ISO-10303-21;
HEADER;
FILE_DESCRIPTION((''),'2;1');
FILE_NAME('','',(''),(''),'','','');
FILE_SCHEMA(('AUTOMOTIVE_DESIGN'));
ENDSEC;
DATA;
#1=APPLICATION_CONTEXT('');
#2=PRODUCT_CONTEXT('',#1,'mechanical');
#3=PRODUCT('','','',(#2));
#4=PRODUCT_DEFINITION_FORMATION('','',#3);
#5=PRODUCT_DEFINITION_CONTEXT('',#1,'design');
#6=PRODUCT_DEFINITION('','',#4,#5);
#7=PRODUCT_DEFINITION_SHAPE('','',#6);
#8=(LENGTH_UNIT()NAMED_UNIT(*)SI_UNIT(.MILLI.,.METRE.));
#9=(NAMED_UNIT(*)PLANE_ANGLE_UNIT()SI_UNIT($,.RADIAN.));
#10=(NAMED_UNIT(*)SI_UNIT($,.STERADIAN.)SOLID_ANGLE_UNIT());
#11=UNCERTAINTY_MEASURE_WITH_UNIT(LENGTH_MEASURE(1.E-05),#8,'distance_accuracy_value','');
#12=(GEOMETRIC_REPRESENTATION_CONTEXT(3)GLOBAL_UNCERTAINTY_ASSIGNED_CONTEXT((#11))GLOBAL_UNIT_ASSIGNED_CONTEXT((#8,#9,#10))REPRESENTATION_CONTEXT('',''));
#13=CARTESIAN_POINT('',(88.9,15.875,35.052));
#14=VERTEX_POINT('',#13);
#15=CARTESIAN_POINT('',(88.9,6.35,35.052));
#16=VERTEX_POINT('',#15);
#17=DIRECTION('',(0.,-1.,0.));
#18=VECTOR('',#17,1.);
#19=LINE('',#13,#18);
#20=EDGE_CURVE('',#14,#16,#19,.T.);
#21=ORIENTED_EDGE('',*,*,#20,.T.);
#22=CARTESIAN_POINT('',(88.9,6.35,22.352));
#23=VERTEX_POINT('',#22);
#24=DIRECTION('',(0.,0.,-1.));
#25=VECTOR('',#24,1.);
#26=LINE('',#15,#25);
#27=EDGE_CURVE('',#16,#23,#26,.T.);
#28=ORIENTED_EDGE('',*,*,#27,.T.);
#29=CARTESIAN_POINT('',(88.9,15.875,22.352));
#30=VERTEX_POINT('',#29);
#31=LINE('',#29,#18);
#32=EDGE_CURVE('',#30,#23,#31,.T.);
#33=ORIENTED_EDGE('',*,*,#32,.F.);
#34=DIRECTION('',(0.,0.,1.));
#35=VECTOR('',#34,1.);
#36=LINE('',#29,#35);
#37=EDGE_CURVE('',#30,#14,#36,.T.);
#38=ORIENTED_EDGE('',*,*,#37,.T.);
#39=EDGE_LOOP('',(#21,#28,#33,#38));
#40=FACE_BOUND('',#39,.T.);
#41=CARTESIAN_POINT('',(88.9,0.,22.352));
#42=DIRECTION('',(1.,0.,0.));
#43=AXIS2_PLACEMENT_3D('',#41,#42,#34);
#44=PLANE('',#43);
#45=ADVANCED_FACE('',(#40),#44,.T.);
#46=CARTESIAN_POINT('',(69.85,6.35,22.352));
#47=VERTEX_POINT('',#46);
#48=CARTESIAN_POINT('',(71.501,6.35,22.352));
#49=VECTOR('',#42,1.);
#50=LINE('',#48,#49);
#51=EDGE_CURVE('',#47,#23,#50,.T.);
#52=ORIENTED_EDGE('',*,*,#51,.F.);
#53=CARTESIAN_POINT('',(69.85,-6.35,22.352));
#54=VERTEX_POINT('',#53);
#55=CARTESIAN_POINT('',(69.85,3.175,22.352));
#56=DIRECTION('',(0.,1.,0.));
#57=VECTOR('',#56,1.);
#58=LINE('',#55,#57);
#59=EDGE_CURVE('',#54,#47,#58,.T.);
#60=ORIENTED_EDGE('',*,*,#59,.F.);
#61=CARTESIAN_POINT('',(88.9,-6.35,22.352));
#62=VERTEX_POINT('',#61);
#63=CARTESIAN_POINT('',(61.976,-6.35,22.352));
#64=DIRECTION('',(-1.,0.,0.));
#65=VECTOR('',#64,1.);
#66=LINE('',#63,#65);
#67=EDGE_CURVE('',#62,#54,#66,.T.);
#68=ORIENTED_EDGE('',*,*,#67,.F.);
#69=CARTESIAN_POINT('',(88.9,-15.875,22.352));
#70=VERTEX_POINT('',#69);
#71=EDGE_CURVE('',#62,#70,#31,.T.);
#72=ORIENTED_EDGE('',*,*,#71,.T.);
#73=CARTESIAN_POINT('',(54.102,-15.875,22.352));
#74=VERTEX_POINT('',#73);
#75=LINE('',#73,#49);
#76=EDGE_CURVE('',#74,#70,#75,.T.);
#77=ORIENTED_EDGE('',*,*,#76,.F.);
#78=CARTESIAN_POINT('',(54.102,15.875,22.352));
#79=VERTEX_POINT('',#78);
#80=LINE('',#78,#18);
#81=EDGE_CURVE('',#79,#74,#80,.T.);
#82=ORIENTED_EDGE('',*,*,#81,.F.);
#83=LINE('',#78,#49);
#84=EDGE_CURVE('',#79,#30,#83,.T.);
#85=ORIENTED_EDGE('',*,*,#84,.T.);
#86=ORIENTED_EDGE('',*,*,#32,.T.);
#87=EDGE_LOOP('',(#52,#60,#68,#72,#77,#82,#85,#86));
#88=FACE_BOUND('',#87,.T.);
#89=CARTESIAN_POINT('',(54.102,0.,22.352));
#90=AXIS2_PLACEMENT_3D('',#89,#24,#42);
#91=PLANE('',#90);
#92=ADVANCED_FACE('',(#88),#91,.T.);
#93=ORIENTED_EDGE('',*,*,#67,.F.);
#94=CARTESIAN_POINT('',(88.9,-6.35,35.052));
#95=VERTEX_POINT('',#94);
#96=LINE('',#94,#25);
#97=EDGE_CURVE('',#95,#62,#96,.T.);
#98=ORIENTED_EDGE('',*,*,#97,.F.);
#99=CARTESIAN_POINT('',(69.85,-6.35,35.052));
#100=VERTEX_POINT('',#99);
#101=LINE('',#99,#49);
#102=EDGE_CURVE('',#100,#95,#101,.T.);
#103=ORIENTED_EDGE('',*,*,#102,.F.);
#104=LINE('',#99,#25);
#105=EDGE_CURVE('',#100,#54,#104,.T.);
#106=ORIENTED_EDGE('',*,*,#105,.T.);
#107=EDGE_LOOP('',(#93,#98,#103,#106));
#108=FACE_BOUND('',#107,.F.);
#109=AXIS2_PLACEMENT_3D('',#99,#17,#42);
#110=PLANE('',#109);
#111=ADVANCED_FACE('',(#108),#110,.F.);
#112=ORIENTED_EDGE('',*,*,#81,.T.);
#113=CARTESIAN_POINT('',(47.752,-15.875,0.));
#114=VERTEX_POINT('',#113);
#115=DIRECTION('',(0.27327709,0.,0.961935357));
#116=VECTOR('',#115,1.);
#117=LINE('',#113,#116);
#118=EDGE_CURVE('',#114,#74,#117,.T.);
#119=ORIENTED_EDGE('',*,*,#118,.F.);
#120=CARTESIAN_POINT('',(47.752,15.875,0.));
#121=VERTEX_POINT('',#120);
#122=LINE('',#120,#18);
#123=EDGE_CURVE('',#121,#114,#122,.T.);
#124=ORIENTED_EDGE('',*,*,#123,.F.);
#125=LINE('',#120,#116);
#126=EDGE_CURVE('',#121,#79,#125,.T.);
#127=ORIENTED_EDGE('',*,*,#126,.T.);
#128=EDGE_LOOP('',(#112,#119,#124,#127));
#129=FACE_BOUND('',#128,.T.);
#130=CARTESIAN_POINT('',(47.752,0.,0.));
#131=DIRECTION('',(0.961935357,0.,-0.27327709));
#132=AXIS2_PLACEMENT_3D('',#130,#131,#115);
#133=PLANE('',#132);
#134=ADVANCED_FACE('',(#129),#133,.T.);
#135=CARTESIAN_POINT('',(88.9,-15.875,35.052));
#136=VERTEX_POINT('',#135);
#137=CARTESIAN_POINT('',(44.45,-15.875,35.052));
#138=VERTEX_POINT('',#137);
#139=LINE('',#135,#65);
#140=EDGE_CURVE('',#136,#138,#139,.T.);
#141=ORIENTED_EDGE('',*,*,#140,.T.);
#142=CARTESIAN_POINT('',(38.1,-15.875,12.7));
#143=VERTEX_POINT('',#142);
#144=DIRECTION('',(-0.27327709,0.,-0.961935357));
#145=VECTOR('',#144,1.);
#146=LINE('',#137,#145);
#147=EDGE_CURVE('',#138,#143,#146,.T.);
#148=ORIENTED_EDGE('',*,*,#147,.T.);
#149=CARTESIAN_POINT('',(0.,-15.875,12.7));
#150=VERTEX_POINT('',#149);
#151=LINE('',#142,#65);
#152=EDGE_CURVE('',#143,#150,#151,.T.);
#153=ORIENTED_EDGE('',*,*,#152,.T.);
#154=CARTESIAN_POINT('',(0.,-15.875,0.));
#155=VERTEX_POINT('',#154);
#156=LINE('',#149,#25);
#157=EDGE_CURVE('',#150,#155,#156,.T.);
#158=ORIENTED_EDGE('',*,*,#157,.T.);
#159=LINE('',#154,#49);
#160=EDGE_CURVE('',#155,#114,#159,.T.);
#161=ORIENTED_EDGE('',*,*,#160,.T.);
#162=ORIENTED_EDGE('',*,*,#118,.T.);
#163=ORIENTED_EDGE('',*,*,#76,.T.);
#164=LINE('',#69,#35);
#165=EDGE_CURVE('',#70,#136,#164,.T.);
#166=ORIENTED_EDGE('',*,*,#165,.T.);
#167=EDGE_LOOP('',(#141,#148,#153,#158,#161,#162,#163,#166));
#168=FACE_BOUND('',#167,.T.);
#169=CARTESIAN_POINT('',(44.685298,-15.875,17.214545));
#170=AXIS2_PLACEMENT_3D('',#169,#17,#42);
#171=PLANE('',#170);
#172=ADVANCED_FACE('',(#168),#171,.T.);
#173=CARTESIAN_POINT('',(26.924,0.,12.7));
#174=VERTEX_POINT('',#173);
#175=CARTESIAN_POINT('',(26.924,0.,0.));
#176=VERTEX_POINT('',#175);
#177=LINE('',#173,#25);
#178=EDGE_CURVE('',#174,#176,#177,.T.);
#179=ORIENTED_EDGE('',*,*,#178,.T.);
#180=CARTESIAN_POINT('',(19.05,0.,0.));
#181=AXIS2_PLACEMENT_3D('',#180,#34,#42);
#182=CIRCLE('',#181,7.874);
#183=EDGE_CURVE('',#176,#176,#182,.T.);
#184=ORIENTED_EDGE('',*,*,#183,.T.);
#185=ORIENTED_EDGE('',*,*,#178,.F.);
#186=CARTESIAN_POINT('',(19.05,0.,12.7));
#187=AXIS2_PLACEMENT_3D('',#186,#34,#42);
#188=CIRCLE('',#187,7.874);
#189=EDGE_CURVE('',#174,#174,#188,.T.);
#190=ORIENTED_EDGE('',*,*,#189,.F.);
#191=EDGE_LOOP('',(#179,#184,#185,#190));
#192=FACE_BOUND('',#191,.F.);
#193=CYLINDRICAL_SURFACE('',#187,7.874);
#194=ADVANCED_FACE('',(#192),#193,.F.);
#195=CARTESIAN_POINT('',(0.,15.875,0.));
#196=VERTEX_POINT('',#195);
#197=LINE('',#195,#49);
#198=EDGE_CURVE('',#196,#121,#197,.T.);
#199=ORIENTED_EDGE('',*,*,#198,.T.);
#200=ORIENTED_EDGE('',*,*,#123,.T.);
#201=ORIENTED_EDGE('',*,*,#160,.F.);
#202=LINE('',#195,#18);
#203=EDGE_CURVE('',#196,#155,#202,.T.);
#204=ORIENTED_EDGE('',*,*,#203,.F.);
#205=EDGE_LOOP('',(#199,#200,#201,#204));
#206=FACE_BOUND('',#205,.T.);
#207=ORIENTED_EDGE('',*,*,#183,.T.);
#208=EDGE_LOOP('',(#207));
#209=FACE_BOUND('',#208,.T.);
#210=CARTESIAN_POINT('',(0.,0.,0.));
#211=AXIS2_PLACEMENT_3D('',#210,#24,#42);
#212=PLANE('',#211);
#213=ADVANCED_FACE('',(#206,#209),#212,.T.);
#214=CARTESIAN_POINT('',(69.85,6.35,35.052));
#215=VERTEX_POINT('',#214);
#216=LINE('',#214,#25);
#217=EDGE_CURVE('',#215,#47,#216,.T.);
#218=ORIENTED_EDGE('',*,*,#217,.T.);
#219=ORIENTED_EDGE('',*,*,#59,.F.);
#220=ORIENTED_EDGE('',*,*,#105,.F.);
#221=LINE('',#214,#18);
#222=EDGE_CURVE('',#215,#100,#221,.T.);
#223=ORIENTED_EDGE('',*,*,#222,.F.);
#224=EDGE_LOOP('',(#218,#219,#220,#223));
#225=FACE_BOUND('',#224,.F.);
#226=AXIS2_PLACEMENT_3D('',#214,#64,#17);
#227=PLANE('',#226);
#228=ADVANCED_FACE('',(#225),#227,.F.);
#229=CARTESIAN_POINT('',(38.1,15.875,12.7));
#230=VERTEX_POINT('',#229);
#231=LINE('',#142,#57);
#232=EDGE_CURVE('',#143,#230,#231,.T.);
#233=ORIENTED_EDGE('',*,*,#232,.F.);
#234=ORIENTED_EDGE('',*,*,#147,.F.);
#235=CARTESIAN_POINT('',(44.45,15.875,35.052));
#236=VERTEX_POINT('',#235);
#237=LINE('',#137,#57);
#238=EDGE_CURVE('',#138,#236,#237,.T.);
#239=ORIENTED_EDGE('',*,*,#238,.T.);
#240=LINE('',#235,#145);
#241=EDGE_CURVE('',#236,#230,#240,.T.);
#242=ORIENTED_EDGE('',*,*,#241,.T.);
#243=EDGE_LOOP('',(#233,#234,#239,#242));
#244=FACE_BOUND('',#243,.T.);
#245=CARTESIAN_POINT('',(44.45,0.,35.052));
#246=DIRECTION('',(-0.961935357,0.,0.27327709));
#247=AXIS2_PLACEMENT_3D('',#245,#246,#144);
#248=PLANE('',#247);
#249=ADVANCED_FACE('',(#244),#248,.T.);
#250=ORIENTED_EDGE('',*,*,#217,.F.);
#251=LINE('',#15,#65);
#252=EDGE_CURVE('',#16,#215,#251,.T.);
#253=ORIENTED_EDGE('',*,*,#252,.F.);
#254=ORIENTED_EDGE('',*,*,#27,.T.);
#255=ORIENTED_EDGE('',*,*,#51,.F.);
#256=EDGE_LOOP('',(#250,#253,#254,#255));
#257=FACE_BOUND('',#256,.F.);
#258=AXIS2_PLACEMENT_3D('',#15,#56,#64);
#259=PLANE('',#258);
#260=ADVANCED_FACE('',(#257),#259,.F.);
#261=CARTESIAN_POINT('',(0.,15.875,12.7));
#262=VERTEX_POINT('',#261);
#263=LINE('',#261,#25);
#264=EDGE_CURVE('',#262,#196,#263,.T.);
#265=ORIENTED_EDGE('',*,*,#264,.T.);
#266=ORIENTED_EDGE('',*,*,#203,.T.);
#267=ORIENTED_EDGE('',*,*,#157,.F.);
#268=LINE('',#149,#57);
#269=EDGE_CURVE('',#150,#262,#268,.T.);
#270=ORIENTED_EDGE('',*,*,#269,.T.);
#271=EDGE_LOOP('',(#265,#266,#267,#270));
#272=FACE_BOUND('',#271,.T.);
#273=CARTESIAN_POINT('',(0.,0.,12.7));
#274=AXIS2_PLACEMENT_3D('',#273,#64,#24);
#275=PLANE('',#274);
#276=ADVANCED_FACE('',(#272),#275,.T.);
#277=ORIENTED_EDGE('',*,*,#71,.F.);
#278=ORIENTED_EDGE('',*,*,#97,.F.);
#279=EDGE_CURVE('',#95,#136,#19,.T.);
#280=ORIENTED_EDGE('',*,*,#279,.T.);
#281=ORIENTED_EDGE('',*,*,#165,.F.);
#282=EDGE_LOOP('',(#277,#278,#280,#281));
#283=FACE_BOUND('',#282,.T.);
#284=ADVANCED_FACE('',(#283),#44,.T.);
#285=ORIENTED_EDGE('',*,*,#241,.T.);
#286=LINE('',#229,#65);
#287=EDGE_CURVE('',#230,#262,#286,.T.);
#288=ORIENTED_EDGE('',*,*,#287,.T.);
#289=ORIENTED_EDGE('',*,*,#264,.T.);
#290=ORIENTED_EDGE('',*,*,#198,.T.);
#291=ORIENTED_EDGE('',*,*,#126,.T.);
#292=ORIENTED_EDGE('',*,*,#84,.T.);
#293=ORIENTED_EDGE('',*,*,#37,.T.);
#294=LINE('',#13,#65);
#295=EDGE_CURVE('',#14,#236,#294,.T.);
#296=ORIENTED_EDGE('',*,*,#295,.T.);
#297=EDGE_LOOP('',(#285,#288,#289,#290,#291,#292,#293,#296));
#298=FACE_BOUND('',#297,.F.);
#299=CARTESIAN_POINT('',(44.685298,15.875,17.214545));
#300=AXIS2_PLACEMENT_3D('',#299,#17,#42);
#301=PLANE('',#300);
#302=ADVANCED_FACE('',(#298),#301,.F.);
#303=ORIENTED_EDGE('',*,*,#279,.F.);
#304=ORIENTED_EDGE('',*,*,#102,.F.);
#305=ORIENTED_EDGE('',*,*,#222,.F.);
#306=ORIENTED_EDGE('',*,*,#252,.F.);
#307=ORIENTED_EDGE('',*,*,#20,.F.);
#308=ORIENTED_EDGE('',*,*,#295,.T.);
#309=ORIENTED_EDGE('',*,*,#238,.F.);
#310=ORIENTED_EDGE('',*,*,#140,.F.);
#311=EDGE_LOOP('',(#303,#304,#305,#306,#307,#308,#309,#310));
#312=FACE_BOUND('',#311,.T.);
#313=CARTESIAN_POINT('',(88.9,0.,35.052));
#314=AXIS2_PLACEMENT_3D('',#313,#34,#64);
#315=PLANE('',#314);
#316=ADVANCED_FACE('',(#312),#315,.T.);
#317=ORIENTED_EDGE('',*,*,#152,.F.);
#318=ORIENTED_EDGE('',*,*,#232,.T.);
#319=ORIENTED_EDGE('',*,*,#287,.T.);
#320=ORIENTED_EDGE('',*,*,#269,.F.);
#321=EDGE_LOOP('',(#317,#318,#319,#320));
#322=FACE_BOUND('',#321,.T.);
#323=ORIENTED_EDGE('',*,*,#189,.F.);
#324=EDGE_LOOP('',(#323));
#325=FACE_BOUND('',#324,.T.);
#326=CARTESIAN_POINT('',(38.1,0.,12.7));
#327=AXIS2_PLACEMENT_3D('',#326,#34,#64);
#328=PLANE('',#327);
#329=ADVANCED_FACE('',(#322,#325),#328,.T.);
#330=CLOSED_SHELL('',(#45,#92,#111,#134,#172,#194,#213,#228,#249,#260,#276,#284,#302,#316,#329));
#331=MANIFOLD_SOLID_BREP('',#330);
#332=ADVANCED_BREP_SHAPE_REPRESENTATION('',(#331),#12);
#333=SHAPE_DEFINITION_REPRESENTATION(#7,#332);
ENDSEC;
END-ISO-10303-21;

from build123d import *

# Parameters (mm, degrees)
F1_DEPTH = 15.875
F2_R     = 7.874
F3_DEPTH = 12.701
F5_DEPTH = 35.053


with BuildPart() as f1:
    # F0 (on Front) → F1 (new body, symmetric)
    with BuildSketch(Plane.XZ):
        Polygon((0, 12.7), (0, 0), (38.1, 0), (47.752, 0), (54.102, 22.352), (88.9, 22.352), (88.9, 35.052), (44.45, 35.052), (38.1, 12.7), align=None)
    extrude(amount=F1_DEPTH, both=True)

    # F2 (on face) → F3 (cut, through all)
    with BuildSketch(Plane.XY.offset(12.7)):
        with Locations((19.05, 0)):
            Circle(F2_R)
    extrude(amount=-F3_DEPTH, mode=Mode.SUBTRACT)

    # F4 (on face) → F5 (cut, through all)
    with BuildSketch(Plane.XY.offset(35.052)):
        Polygon((69.85, -6.35), (88.9, -6.35), (88.9, 6.35), (69.85, 6.35), (69.85, 0), align=None)
    extrude(amount=-F5_DEPTH, mode=Mode.SUBTRACT)


solid = f1.part
